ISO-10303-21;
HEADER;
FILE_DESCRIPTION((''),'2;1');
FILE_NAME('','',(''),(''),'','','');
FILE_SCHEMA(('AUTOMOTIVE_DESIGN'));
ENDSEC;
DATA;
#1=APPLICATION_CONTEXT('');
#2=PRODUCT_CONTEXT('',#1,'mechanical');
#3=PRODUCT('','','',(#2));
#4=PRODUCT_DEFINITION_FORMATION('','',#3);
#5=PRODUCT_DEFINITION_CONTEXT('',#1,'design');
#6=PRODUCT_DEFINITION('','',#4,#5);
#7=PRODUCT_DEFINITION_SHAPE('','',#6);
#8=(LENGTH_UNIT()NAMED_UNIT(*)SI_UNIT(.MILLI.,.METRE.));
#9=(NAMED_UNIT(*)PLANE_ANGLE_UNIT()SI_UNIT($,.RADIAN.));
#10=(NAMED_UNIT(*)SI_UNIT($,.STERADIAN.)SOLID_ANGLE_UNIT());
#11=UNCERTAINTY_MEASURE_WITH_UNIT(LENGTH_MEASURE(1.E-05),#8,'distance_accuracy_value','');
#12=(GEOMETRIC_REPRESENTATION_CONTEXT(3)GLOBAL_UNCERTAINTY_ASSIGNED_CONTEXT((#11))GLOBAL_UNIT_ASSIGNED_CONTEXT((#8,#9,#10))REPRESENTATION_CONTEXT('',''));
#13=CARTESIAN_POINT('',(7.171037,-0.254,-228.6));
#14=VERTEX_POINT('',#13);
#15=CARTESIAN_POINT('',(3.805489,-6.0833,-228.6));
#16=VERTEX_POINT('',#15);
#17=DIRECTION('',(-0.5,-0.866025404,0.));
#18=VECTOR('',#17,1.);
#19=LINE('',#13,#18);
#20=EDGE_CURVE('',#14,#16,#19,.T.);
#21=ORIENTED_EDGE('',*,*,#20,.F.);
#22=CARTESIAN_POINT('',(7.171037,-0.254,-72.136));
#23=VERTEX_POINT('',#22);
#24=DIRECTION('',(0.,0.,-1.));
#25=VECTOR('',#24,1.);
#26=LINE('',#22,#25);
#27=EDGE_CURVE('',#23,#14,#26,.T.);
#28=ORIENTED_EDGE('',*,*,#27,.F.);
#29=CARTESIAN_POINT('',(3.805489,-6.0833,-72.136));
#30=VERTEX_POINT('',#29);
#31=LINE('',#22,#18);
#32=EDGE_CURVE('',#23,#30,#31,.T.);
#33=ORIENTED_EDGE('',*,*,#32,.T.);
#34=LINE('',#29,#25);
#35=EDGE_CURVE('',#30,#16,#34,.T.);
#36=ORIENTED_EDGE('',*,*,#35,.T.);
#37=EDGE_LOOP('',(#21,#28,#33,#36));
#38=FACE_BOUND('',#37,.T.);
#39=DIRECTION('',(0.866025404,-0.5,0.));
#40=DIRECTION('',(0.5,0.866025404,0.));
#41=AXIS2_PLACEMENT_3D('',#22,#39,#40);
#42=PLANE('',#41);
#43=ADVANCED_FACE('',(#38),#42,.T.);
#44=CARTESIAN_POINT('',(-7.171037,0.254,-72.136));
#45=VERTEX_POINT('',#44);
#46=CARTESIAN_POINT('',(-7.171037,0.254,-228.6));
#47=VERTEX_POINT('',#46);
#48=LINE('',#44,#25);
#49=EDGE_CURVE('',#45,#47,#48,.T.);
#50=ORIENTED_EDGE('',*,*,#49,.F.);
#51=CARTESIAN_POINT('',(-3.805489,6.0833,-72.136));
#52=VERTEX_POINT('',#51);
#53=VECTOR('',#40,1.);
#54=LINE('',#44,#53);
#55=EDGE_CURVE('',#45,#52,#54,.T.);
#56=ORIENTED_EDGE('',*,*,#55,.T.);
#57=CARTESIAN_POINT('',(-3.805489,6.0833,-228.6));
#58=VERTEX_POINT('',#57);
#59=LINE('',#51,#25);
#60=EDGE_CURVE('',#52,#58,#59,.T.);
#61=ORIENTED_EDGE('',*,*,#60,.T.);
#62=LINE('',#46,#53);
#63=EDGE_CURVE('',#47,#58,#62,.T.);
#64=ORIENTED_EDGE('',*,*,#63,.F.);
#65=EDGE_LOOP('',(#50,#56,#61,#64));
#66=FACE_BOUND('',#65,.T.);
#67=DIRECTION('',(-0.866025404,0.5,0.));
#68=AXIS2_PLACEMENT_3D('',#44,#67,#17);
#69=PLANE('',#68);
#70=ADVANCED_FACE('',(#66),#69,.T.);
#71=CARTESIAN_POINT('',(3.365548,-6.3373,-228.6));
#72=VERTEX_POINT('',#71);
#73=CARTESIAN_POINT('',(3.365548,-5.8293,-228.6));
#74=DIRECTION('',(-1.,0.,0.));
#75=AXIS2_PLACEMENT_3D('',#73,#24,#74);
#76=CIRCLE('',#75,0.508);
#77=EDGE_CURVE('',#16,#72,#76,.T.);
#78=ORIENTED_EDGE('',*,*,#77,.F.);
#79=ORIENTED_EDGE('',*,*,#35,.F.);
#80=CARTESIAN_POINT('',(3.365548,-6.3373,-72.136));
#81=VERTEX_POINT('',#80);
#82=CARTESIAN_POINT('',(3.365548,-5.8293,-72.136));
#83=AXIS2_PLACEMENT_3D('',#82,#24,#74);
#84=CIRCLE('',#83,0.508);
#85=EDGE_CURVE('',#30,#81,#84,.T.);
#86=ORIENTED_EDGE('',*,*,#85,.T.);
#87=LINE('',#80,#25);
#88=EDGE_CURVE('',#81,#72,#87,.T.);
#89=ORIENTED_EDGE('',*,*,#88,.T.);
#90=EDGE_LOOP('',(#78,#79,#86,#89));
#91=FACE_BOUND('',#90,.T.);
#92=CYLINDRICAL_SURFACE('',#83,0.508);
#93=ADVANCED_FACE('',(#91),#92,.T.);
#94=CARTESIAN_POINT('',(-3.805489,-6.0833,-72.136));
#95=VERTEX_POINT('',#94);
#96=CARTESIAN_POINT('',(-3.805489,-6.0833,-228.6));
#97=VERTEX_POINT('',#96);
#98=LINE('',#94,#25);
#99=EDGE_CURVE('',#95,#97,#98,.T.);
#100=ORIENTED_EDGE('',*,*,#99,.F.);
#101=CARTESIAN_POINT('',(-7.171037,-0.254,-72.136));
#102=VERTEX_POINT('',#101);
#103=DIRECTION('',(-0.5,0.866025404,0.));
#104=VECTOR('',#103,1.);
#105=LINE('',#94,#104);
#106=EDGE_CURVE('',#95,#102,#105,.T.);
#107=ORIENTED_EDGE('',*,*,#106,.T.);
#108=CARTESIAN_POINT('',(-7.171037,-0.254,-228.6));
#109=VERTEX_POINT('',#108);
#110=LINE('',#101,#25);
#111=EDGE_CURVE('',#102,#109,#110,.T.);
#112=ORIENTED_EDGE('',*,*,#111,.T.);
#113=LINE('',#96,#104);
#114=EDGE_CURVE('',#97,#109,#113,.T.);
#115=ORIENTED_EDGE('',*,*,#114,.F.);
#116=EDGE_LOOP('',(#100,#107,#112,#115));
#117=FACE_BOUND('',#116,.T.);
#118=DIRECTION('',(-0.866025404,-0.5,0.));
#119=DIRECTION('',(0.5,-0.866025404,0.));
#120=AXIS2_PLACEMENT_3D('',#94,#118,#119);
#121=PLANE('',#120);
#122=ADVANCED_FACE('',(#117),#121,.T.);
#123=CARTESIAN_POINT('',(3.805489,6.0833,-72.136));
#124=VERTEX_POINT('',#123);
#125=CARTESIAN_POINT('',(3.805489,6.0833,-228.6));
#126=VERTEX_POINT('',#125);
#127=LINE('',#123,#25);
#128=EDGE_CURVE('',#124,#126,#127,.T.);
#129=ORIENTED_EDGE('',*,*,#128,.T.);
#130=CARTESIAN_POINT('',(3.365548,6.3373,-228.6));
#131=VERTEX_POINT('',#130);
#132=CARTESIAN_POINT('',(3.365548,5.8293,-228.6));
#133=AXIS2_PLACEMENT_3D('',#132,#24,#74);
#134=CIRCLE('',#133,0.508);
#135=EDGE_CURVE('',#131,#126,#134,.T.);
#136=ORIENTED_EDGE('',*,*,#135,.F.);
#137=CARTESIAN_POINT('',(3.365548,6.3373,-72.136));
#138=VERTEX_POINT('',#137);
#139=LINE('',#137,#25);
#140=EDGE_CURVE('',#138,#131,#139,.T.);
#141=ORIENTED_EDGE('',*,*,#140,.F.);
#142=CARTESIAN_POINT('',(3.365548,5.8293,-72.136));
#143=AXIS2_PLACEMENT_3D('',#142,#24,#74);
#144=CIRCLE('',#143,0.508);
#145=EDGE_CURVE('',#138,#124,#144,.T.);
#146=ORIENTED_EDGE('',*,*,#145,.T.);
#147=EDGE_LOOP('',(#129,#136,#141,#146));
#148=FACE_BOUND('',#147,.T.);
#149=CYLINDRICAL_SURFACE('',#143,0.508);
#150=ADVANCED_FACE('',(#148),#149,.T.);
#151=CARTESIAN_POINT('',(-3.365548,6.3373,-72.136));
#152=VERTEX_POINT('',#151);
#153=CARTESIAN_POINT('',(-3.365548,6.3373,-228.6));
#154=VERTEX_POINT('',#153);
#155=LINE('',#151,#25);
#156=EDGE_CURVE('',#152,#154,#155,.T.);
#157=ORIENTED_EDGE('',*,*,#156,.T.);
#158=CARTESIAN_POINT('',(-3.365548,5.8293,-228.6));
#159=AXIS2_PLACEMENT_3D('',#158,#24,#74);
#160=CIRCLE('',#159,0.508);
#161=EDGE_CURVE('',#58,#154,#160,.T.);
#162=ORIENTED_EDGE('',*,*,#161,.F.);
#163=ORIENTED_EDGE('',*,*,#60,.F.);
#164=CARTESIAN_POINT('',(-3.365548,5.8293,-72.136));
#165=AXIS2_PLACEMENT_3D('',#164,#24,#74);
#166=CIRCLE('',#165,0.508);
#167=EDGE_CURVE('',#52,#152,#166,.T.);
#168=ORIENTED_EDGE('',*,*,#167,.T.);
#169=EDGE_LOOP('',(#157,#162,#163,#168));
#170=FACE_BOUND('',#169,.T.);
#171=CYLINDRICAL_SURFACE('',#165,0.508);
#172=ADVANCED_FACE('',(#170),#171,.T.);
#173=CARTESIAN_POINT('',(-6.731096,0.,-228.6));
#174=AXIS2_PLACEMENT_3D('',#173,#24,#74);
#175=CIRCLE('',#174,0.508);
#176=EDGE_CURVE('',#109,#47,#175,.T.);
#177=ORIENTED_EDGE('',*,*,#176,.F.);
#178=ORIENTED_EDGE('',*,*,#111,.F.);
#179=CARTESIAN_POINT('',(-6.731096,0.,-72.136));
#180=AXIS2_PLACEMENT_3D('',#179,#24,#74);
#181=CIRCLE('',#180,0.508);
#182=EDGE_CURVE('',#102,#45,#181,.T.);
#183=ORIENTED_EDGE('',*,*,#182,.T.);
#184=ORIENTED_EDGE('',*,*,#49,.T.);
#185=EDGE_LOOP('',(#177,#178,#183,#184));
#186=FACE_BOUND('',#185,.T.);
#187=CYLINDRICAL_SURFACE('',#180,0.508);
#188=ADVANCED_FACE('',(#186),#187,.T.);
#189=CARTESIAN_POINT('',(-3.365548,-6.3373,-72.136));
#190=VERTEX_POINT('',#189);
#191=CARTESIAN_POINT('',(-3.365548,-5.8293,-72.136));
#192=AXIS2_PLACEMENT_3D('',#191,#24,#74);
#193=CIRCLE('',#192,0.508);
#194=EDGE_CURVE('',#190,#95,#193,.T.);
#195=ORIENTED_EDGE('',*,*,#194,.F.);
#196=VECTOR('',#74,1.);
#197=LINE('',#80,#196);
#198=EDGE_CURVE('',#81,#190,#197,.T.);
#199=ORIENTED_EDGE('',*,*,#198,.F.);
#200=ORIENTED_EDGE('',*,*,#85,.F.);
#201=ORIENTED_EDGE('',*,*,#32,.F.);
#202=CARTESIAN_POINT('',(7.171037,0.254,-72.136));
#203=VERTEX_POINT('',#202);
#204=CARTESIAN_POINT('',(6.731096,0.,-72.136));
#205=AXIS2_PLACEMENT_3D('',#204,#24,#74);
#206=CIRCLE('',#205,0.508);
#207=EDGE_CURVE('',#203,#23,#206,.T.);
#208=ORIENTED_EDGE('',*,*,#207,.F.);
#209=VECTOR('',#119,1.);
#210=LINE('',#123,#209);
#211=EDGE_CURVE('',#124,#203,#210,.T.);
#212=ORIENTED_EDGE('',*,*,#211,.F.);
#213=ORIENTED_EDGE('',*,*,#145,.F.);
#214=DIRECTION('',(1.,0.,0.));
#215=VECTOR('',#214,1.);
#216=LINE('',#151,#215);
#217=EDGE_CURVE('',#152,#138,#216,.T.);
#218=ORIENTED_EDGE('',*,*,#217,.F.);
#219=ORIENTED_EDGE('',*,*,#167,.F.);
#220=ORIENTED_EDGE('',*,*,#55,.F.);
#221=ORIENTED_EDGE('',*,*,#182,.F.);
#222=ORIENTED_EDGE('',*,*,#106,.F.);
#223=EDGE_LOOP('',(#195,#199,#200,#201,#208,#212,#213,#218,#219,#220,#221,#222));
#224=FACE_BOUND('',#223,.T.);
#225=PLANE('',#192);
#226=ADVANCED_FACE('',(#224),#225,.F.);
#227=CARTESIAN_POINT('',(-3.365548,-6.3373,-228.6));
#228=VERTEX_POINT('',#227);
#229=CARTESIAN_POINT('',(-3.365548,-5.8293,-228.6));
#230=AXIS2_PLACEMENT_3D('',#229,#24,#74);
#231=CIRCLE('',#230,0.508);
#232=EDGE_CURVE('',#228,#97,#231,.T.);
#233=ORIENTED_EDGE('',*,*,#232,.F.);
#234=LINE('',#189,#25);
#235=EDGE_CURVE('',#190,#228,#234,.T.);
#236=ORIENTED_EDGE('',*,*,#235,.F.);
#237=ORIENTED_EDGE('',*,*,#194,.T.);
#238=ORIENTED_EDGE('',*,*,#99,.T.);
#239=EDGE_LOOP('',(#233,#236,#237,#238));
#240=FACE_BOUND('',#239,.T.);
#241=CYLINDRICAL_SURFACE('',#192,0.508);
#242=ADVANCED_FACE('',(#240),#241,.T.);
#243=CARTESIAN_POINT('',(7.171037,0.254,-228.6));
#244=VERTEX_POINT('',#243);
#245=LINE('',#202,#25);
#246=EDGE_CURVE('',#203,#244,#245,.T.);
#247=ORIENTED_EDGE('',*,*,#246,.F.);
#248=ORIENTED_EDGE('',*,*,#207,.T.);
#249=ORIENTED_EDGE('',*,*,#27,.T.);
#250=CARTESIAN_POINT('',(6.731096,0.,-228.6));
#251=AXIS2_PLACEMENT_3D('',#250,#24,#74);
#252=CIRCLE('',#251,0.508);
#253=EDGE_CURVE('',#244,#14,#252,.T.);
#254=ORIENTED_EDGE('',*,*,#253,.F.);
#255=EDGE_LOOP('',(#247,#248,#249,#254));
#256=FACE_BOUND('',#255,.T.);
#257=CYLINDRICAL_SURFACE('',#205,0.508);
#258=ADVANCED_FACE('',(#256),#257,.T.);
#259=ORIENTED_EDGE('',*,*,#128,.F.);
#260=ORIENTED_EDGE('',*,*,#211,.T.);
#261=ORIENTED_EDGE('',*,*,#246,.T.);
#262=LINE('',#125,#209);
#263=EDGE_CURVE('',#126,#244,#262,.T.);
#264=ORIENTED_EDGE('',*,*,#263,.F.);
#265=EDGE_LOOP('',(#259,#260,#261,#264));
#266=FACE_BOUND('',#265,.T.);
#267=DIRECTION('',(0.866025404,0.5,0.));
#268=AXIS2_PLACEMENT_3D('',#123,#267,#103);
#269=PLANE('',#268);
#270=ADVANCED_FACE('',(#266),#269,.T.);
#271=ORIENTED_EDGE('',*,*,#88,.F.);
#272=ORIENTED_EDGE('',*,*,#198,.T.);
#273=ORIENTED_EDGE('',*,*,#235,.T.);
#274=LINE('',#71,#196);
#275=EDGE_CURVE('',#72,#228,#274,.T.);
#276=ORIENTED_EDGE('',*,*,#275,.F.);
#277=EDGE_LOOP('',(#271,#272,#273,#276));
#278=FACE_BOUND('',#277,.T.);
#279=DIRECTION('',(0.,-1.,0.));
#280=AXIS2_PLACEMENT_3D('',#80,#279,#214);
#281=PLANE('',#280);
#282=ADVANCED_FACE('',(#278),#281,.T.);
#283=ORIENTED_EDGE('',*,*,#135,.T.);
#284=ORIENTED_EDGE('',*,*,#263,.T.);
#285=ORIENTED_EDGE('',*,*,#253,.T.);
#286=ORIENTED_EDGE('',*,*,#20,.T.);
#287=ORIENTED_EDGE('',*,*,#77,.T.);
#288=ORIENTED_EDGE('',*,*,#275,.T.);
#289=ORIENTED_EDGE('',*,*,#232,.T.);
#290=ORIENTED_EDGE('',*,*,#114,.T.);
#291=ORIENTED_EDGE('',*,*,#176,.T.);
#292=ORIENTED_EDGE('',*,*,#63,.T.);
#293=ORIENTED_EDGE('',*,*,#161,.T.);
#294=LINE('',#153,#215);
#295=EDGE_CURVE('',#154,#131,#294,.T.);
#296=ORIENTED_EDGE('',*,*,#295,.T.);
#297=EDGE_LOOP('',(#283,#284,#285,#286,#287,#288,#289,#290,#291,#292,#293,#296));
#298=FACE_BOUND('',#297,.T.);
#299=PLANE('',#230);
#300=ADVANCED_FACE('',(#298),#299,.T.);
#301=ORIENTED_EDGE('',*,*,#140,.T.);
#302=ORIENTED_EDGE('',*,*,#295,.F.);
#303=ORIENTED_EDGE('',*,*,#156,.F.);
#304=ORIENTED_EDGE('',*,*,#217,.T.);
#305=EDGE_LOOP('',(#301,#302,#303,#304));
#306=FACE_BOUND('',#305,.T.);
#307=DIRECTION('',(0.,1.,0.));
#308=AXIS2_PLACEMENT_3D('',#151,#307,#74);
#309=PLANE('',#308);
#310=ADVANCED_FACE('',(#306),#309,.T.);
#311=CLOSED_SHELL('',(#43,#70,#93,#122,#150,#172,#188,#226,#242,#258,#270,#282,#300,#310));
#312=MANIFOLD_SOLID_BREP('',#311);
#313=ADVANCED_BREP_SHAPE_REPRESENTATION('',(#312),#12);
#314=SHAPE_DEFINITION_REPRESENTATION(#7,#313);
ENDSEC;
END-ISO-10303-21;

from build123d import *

# Parameters (mm, degrees)
BOSS_EXTRUDE1_DEPTH = 156.464


with BuildPart() as part:
    # Sketch1 → Boss-Extrude1 (new body)
    with BuildSketch(Plane(origin=(0, 0, -228.6), x_dir=(-1, 0, 0), z_dir=(0, 0, -1))):
        with BuildLine():
            Line((3.805488829, -6.0833), (7.171036753, -0.254))
            ThreePointArc((7.171036753, -0.254), (7.239095848, 0), (7.171036753, 0.254))
            Line((7.171036753, 0.254), (3.805488829, 6.0833))
            ThreePointArc((3.805488829, 6.0833), (3.619547924, 6.269240905), (3.365547924, 6.3373))
            Line((3.365547924, 6.3373), (-3.365547924, 6.3373))
            ThreePointArc((-3.365547924, 6.3373), (-3.619547924, 6.269240905), (-3.805488829, 6.0833))
            Line((-3.805488829, 6.0833), (-7.171036753, 0.254))
            ThreePointArc((-7.171036753, 0.254), (-7.239095848, 0), (-7.171036753, -0.254))
            Line((-7.171036753, -0.254), (-3.805488829, -6.0833))
            ThreePointArc((-3.805488829, -6.0833), (-3.619547924, -6.269240905), (-3.365547924, -6.3373))
            Line((-3.365547924, -6.3373), (3.365547924, -6.3373))
            ThreePointArc((3.365547924, -6.3373), (3.619547924, -6.269240905), (3.805488829, -6.0833))
        make_face()
    extrude(amount=-BOSS_EXTRUDE1_DEPTH)


solid = part.part
